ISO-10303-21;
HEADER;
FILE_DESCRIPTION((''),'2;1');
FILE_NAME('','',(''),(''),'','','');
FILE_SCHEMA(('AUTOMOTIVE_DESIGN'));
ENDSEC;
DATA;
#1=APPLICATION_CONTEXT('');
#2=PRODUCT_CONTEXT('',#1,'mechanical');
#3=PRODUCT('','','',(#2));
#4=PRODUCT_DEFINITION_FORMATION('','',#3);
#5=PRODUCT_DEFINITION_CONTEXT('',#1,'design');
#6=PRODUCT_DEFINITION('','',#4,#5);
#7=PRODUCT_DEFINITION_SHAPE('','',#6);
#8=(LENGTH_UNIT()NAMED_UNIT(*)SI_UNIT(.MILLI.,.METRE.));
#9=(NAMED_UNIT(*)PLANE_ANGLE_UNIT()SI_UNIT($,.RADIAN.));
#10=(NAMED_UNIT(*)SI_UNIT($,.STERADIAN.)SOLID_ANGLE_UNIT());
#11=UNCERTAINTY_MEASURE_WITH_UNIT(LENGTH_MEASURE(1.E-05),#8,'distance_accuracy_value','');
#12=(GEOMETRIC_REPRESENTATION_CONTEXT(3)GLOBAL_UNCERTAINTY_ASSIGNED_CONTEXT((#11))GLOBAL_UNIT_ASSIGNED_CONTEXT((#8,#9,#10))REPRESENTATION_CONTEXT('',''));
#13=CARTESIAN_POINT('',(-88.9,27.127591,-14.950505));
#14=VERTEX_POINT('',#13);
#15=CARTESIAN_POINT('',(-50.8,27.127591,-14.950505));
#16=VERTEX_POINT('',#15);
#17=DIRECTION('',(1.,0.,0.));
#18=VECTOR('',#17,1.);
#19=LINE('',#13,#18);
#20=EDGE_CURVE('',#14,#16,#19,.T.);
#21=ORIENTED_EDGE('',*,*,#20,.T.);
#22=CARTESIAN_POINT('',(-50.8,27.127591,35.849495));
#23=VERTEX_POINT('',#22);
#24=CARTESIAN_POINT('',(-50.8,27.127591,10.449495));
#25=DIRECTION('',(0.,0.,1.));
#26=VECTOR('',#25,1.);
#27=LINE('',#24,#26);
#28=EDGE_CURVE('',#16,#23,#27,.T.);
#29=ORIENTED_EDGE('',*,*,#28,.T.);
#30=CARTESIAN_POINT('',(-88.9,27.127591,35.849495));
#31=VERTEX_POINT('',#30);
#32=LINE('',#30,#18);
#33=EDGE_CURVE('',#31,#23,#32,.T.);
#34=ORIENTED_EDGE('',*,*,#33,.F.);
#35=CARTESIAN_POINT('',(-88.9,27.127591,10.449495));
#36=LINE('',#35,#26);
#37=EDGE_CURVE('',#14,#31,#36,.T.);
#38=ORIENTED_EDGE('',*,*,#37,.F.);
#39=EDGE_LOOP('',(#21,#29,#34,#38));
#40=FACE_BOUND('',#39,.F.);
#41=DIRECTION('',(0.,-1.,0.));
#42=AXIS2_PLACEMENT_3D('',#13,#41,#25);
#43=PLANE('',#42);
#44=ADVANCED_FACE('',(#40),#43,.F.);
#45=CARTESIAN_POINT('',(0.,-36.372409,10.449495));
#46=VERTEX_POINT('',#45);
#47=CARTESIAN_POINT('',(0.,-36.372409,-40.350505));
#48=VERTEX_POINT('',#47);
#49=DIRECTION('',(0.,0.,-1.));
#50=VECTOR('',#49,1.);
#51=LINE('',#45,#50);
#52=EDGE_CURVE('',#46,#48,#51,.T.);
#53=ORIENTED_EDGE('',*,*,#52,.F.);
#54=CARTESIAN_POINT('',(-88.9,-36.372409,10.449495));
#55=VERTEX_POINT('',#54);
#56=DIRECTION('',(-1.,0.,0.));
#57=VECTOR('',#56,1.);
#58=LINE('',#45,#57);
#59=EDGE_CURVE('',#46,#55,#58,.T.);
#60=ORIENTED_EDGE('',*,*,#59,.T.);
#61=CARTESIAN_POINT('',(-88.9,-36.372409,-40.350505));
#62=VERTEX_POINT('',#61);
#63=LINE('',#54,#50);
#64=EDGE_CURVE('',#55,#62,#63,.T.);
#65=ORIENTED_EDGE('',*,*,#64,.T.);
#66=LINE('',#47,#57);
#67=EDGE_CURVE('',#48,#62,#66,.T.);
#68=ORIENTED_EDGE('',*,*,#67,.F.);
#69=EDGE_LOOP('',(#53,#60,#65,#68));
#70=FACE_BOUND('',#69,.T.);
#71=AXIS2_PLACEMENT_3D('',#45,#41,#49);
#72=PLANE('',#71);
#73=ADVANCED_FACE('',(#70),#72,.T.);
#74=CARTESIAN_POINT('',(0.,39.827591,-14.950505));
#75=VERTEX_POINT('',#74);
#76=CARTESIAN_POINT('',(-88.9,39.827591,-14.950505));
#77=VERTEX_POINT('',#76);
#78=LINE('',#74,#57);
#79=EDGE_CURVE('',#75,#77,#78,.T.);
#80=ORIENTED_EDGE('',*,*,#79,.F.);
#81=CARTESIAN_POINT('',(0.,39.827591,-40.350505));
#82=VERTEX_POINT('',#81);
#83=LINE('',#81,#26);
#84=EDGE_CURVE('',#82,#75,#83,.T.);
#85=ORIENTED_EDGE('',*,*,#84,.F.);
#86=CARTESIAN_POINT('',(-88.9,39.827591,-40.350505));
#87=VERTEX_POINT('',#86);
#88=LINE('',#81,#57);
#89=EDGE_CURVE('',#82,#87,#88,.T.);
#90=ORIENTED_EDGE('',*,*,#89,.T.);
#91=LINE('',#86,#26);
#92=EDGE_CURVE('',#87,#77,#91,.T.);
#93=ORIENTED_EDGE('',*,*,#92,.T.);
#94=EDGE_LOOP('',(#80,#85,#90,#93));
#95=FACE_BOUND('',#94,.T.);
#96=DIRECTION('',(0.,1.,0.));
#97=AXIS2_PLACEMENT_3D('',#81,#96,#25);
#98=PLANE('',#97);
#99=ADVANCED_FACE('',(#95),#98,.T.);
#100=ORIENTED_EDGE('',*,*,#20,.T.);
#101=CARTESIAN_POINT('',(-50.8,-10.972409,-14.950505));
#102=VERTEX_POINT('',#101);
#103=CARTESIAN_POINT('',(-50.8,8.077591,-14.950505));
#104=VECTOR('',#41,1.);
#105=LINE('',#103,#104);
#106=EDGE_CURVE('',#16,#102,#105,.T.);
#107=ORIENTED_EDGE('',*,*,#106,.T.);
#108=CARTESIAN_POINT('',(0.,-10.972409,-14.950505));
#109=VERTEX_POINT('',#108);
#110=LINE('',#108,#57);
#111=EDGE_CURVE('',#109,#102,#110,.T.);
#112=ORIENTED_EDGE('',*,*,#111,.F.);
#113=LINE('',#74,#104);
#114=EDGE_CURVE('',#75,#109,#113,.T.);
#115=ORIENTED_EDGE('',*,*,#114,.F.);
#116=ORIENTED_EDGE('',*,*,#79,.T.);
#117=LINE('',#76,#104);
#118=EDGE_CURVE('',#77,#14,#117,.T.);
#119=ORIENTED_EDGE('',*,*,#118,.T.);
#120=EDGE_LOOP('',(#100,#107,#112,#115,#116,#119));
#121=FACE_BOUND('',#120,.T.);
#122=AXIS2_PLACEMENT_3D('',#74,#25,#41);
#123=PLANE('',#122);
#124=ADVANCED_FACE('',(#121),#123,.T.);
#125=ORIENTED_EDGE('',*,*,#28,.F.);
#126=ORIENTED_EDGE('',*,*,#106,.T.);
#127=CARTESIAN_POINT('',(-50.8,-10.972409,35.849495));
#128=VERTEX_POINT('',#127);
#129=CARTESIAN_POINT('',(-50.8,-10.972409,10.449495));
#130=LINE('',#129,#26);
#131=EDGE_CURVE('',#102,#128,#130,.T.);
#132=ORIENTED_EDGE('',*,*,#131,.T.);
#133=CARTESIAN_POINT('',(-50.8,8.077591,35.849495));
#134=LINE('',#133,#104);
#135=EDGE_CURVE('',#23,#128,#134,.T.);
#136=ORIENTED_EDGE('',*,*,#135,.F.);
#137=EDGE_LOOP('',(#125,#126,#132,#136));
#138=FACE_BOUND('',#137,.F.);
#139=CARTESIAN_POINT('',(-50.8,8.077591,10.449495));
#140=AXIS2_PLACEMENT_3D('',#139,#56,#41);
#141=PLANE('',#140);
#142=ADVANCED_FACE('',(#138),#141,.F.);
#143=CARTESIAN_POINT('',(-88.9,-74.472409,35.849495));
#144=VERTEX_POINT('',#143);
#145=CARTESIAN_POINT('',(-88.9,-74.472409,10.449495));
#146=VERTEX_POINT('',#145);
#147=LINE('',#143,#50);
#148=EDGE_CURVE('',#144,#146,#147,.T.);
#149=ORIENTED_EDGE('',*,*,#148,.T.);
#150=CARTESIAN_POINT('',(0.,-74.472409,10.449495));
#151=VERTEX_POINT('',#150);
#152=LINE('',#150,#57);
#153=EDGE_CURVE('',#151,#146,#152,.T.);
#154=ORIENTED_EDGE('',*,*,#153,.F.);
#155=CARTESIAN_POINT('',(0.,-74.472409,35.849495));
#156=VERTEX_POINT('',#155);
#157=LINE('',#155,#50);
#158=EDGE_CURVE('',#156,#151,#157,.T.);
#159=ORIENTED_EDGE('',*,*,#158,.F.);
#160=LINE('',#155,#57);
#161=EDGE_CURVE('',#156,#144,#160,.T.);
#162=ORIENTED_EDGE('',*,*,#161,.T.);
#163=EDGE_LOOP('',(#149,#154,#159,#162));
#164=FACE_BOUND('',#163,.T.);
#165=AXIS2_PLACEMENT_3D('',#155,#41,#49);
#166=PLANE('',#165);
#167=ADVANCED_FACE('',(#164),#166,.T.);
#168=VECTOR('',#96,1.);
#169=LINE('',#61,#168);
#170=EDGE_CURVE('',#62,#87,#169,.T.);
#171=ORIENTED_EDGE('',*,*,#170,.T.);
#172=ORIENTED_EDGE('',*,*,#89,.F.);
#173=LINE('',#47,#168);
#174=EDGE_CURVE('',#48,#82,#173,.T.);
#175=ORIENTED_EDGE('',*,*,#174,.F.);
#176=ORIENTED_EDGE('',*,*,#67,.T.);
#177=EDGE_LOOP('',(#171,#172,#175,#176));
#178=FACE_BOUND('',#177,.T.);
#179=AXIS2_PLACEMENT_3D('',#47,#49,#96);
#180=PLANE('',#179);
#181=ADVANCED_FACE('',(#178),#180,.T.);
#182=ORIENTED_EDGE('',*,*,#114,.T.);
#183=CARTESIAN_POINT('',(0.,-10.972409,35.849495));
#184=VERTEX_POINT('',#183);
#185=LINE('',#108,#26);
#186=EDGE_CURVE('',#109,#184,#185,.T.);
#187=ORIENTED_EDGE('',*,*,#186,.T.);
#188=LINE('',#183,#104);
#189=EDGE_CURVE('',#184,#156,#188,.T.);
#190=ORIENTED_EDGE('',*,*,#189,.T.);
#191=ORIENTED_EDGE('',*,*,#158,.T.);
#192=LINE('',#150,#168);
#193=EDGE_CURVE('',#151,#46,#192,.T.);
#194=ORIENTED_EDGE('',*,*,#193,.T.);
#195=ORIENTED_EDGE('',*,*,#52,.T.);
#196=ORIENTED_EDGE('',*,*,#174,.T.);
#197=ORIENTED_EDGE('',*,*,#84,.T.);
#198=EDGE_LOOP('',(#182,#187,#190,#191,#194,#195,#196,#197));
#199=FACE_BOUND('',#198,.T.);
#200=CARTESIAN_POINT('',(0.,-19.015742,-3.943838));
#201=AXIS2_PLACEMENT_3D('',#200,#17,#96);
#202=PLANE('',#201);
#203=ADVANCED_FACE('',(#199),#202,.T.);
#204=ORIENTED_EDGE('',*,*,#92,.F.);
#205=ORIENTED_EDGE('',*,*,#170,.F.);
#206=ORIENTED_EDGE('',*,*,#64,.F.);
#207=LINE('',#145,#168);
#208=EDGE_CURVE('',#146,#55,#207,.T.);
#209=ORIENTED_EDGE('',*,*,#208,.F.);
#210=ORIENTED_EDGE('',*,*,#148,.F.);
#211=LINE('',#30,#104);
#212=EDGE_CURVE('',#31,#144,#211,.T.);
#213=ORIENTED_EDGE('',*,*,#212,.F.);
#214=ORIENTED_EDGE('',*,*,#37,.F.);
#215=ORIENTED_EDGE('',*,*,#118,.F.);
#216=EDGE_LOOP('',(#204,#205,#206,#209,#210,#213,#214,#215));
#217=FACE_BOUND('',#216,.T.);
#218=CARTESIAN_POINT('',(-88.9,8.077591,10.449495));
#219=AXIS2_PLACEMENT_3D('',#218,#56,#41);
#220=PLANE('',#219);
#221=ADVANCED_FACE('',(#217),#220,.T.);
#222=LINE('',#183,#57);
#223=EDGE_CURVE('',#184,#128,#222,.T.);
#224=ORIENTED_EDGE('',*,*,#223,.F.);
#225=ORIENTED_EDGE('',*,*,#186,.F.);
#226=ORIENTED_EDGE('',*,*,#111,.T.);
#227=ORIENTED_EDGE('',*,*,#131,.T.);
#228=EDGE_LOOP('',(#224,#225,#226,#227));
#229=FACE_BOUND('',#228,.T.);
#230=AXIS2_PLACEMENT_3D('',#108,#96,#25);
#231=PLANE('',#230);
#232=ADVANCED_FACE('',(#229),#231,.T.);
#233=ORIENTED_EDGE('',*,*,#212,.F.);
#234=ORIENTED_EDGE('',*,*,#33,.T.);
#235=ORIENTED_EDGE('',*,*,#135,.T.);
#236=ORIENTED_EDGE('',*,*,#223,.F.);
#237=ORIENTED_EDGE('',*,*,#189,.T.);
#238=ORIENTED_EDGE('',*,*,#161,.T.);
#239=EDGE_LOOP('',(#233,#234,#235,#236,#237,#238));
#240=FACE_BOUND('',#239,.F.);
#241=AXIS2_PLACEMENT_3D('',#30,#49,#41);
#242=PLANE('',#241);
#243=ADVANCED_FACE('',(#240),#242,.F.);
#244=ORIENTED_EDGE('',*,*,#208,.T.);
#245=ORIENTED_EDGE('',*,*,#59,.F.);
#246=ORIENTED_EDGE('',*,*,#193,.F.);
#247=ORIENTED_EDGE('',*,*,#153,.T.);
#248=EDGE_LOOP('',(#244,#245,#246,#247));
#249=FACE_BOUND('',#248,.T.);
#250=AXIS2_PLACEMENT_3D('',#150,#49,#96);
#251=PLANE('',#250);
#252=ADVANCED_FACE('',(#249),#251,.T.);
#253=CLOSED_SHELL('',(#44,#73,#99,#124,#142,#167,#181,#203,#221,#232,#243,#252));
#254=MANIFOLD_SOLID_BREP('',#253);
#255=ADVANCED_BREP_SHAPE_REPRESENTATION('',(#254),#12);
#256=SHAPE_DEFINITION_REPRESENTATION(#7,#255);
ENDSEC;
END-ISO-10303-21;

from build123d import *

# Parameters (mm, degrees)
F1_DEPTH = 88.9
F2_W     = 38.1
F2_H     = 50.8
F3_DEPTH = 38.1


with BuildPart() as f1:
    # F0 (on Right) → F1 (new body)
    with BuildSketch(Plane.YZ):
        Polygon((-10.972409, 35.849495), (-74.472409, 35.849495), (-74.472409, 10.449495), (-36.372409, 10.449495), (-36.372409, -40.350505), (39.827591, -40.350505), (39.827591, -14.950505), (-10.972409, -14.950505), align=None)
    extrude(amount=-F1_DEPTH)

    # F2 (on face) → F3 (join)
    with BuildSketch(Plane(origin=(-88.9, 0, 0), x_dir=(0, -1, 0), z_dir=(-1, 0, 0))):
        with Locations((-8.077591, 10.449495)):
            Rectangle(F2_W, F2_H)
    extrude(amount=-F3_DEPTH)


solid = f1.part
